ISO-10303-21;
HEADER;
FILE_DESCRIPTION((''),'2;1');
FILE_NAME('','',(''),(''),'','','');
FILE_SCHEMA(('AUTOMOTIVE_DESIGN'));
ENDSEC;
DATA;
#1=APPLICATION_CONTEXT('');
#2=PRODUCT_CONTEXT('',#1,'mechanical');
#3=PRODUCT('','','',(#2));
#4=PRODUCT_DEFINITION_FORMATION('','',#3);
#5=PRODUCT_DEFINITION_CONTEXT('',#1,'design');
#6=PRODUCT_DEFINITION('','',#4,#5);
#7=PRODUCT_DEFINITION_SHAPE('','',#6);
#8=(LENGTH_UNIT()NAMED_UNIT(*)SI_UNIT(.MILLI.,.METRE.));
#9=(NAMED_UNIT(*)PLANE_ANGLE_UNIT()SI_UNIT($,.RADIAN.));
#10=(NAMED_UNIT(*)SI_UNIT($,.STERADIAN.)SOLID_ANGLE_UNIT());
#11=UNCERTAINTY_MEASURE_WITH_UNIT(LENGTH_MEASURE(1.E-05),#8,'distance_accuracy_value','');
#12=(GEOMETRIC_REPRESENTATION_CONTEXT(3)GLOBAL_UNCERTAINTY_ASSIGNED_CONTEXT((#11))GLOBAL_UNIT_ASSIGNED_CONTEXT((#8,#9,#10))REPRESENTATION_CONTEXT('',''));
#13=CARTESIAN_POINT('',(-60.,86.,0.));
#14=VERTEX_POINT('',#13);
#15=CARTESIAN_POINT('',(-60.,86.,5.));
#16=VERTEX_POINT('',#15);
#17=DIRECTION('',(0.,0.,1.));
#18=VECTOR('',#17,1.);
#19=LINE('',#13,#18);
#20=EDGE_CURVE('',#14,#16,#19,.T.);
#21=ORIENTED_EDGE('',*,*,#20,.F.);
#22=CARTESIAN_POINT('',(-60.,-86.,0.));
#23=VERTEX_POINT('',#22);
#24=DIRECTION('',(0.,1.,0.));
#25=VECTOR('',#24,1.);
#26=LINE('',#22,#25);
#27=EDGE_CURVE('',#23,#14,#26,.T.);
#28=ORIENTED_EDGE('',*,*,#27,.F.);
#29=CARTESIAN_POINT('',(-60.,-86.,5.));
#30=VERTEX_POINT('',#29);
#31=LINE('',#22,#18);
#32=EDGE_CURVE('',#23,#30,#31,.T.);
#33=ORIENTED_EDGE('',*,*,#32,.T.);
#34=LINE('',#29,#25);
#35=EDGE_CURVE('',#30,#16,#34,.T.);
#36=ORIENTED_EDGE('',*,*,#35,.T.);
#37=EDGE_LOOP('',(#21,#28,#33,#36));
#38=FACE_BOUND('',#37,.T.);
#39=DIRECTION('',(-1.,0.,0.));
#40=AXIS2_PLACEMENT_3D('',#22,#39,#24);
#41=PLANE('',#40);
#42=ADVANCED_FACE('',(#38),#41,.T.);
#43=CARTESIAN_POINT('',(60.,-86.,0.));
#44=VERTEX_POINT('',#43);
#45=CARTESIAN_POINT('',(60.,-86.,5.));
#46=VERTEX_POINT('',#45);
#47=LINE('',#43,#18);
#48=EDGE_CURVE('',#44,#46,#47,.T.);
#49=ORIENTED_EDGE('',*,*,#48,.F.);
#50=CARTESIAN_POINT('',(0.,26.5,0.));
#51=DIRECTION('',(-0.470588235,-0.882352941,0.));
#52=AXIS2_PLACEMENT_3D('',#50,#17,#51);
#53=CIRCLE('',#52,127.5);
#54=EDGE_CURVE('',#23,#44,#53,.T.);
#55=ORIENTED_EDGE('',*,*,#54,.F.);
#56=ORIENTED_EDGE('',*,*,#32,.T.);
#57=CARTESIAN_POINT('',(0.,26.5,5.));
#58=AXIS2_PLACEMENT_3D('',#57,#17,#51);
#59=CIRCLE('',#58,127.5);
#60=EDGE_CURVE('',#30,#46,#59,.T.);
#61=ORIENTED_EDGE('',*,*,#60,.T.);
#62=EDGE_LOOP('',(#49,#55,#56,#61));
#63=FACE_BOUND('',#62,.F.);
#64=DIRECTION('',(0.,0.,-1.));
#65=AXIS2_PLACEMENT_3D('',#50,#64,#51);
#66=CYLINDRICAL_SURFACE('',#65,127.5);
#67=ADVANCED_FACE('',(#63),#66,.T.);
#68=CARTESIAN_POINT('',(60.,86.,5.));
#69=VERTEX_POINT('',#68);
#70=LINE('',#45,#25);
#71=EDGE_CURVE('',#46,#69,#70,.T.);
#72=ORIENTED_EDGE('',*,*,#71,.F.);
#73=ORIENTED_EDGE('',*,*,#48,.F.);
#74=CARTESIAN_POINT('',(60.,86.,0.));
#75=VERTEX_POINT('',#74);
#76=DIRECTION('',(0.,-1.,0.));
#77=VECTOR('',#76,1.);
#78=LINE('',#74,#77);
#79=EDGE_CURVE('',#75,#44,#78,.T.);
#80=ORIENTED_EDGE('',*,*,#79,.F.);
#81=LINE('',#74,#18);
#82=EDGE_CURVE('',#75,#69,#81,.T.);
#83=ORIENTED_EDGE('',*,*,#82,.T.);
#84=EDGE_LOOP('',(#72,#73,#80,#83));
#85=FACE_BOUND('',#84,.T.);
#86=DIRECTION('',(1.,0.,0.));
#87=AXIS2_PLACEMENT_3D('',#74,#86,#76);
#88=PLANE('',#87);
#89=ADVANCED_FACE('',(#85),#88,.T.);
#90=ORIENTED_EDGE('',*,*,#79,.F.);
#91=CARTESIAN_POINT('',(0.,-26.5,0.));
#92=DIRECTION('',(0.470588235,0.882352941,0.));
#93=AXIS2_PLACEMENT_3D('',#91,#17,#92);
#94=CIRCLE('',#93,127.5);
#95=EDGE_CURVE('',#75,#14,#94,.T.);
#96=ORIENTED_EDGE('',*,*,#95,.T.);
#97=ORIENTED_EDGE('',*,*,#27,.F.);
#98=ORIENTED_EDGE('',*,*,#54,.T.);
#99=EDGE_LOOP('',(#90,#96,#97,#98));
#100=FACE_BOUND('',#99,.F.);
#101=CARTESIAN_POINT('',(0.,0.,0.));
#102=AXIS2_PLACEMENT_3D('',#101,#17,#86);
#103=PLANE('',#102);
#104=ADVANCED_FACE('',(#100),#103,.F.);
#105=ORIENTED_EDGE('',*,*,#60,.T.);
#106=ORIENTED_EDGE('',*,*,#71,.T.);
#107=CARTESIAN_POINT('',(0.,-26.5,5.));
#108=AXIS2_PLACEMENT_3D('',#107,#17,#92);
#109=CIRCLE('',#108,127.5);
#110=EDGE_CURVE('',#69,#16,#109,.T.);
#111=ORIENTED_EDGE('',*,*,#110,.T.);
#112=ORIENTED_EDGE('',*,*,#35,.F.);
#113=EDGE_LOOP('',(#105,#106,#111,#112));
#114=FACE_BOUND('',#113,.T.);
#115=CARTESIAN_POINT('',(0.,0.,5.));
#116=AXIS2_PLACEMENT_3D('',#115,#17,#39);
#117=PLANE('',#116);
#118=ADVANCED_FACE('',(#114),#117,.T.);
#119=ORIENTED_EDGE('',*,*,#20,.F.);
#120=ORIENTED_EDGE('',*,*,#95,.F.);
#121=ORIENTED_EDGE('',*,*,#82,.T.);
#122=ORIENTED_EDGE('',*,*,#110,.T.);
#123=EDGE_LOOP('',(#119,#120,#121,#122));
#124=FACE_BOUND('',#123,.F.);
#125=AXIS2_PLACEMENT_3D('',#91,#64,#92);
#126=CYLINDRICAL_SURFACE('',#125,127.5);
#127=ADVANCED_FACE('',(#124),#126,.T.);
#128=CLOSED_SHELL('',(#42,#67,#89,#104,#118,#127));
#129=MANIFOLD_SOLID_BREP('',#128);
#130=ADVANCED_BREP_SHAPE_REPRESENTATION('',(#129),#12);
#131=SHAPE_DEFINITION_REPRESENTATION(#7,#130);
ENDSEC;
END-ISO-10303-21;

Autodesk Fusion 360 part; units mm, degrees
sketch "Esquisse1" plane through (0, 0, 0) normal (0, 0, 1) x (1, 0, 0)
  line L0 (60, -86) -> (-60, -86)
  line L1 (-60, -86) -> (-60, 86)
  line L2 (-60, 86) -> (60, 86)
  line L3 (60, 86) -> (60, -86)
  line L4 (60, -86) -> (-60, 86) construction
  line L5 (-60, -86) -> (60, 86) construction
  dimension "d1" = 120
  dimension "d2" = 172
sketch "Esquisse2" plane through (0, 0, 0) normal (0, 0, 1) x (1, 0, 0)
  line L0 (0, -86) -> (0, -101)
  line L1 (0, 86) -> (0, 101)
  line L2 (60, -86) -> (-60, -86)
  line L3 (-60, -86) -> (-60, -116)
  line L4 (-60, -116) -> (60, -116)
  line L5 (60, -116) -> (60, -86)
  line L6 (60, -86) -> (-60, -116) construction
  line L7 (-60, -86) -> (60, -116) construction
  line L8 (-60, 86) -> (60, 86)
  line L9 (60, 86) -> (60, 116)
  line L10 (60, 116) -> (-60, 116)
  line L11 (-60, 116) -> (-60, 86)
  line L12 (-60, 86) -> (60, 116) construction
  line L13 (60, 86) -> (-60, 116) construction
  arc A0 (60, 86) -> (-60, 86) centre (0, -26.5) ccw
  arc A1 (-60, -86) -> (60, -86) centre (0, 26.5) ccw
  point P0 (0, -101)
  point P1 (0, 101)
  dimension "d3" = 15
  dimension "d4" = 15
extrude "Extrusion1" add sketch "Esquisse1" sketch "Esquisse2" along normal blind 10 of sketch 2 contours L0 L2 A1 | L0 L2 A1 | L1 L8 A0 | L1 L8 A0
sketch "Esquisse3" plane through (0, 0, 10) normal (0, 0, 1) x (-1, 0, 0)
  line L0 (60, -86) -> (60, 86)
  arc A0 (60, 86) -> (-60, 86) centre (0, -26.5) ccw
  line L1 (-60, 86) -> (-60, -86)
  arc A1 (-60, -86) -> (60, -86) centre (0, 26.5) ccw
  line L2 (60, 86) -> (-60, 86)
  line L3 (60, -86) -> (-60, -86)
  line L4 (-60, 86) -> (-60, 70)
  line L5 (-60, 70) -> (-60, 48)
  line L6 (-60, 48) -> (-60, -48)
  line L7 (-60, -48) -> (-60, -70)
  line L8 (60, 86) -> (60, 70)
  line L9 (60, 70) -> (60, 48)
  line L10 (60, 48) -> (60, -48)
  line L11 (60, -48) -> (60, -70)
  line L12 (60, 70) -> (36, 70)
  line L13 (36, 70) -> (36, 48)
  line L14 (36, 48) -> (60, 48)
  line L15 (60, -70) -> (36, -70)
  line L16 (36, -70) -> (36, -48)
  line L17 (36, -48) -> (60, -48)
  line L18 (-60, -70) -> (-36, -70)
  line L19 (-36, -70) -> (-36, -48)
  line L20 (-36, -48) -> (-60, -48)
  line L21 (-60, 70) -> (-36, 70)
  line L22 (-36, 70) -> (-36, 48)
  line L23 (-60, 48) -> (-36, 48)
  dimension "d7" = 16
  dimension "d8" = 22
  dimension "d9" = 96
  dimension "d10" = 22
  dimension "d11" = 16
  dimension "d12" = 22
  dimension "d13" = 96
  dimension "d14" = 22
  dimension "d15" = 24
  dimension "d16" = 24
  dimension "d17" = 22
sketch "Esquisse4" plane through (0, 0, 10) normal (0, 0, 1) x (-1, 0, 0)
  line L0 (-60, -86) -> (-17, -86)
  line L1 (-17, -86) -> (17, -86)
  line L2 (17, -86) -> (17, -70)
  line L3 (17, -70) -> (-17, -70)
  line L4 (-17, -70) -> (-17, -86)
  dimension "d18" = 43
  dimension "d19" = 34
extrude "Extrusion2" cut sketch "Esquisse3" against normal blind 5
extrude "Extrusion3" cut sketch "Esquisse4" along normal blind 0 and the other way blind 25
sketch "Esquisse5" plane through (0, 0, 5) normal (0, 0, 1) x (-1, 0, 0)
  arc A0 (60, 86) -> (-60, 86) centre (0, -26.5) ccw
  line L0 (-60, 86) -> (-60, -86)
  arc A1 (-60, -86) -> (60, -86) centre (0, 26.5) ccw
  line L1 (60, -86) -> (60, 86)
  line L2 (-60, 86) -> (60, 86)
  line L3 (-60, -86) -> (-60, -70)
  line L4 (-60, -70) -> (-60, -48)
  line L5 (-60, -48) -> (-60, 48)
  line L6 (-60, 48) -> (-60, 70)
  line L7 (-60, -70) -> (-36, -70)
  line L8 (-36, -70) -> (-36, -48)
  line L9 (-36, -48) -> (-60, -48)
  line L10 (-60, 70) -> (-36, 70)
  line L11 (-60, 48) -> (-36, 48)
  line L12 (-36, 48) -> (-36, 70)
  line L13 (60, -70) -> (36, -70)
  line L14 (36, -70) -> (36, -48)
  line L15 (36, -48) -> (60, -48)
  line L16 (60, 48) -> (36, 48)
  line L17 (36, 48) -> (36, 70)
  line L18 (36, 70) -> (60, 70)
  dimension "d27" = 16
  dimension "d28" = 22
  dimension "d29" = 96
  dimension "d30" = 22
  dimension "d31" = 24
  dimension "d32" = 24
sketch "Esquisse6" plane through (0, 0, 5) normal (0, 0, 1) x (-1, 0, 0)
  line L0 (27.5, -60) -> (-27.5, -60)
  line L1 (-27.5, -60) -> (-27.5, 7)
  line L2 (-27.5, 7) -> (27.5, 7)
  line L3 (27.5, 7) -> (27.5, -60)
  dimension "d34" = 55
  dimension "d35" = 67
sketch "Esquisse7" plane through (0, 0, 5) normal (0, 0, 1) x (-1, 0, 0)
  line L0 (27.5, 17) -> (-27.5, 17)
  line L1 (-27.5, 17) -> (-27.5, 83)
  line L2 (-27.5, 83) -> (27.5, 83)
  line L3 (27.5, 83) -> (27.5, 17)
  dimension "d38" = 55
  dimension "d39" = 66
sketch "Esquisse8" plane through (0, 0, 5) normal (0, 0, 1) x (-1, 0, 0)
  line L0 (17, -70) -> (-17, -70)
  line L1 (-17, -70) -> (-17, -86)
  line L2 (-17, -86) -> (17, -86)
  line L3 (17, -86) -> (17, -70)
extrude "Extrusion4" add sketch "Esquisse8" against normal blind 5
sketch "Esquisse9" plane through (0, 0, 5) normal (0, 0, 1) x (-1, 0, 0)
  line L0 (-60, -86) -> (60, -86)
